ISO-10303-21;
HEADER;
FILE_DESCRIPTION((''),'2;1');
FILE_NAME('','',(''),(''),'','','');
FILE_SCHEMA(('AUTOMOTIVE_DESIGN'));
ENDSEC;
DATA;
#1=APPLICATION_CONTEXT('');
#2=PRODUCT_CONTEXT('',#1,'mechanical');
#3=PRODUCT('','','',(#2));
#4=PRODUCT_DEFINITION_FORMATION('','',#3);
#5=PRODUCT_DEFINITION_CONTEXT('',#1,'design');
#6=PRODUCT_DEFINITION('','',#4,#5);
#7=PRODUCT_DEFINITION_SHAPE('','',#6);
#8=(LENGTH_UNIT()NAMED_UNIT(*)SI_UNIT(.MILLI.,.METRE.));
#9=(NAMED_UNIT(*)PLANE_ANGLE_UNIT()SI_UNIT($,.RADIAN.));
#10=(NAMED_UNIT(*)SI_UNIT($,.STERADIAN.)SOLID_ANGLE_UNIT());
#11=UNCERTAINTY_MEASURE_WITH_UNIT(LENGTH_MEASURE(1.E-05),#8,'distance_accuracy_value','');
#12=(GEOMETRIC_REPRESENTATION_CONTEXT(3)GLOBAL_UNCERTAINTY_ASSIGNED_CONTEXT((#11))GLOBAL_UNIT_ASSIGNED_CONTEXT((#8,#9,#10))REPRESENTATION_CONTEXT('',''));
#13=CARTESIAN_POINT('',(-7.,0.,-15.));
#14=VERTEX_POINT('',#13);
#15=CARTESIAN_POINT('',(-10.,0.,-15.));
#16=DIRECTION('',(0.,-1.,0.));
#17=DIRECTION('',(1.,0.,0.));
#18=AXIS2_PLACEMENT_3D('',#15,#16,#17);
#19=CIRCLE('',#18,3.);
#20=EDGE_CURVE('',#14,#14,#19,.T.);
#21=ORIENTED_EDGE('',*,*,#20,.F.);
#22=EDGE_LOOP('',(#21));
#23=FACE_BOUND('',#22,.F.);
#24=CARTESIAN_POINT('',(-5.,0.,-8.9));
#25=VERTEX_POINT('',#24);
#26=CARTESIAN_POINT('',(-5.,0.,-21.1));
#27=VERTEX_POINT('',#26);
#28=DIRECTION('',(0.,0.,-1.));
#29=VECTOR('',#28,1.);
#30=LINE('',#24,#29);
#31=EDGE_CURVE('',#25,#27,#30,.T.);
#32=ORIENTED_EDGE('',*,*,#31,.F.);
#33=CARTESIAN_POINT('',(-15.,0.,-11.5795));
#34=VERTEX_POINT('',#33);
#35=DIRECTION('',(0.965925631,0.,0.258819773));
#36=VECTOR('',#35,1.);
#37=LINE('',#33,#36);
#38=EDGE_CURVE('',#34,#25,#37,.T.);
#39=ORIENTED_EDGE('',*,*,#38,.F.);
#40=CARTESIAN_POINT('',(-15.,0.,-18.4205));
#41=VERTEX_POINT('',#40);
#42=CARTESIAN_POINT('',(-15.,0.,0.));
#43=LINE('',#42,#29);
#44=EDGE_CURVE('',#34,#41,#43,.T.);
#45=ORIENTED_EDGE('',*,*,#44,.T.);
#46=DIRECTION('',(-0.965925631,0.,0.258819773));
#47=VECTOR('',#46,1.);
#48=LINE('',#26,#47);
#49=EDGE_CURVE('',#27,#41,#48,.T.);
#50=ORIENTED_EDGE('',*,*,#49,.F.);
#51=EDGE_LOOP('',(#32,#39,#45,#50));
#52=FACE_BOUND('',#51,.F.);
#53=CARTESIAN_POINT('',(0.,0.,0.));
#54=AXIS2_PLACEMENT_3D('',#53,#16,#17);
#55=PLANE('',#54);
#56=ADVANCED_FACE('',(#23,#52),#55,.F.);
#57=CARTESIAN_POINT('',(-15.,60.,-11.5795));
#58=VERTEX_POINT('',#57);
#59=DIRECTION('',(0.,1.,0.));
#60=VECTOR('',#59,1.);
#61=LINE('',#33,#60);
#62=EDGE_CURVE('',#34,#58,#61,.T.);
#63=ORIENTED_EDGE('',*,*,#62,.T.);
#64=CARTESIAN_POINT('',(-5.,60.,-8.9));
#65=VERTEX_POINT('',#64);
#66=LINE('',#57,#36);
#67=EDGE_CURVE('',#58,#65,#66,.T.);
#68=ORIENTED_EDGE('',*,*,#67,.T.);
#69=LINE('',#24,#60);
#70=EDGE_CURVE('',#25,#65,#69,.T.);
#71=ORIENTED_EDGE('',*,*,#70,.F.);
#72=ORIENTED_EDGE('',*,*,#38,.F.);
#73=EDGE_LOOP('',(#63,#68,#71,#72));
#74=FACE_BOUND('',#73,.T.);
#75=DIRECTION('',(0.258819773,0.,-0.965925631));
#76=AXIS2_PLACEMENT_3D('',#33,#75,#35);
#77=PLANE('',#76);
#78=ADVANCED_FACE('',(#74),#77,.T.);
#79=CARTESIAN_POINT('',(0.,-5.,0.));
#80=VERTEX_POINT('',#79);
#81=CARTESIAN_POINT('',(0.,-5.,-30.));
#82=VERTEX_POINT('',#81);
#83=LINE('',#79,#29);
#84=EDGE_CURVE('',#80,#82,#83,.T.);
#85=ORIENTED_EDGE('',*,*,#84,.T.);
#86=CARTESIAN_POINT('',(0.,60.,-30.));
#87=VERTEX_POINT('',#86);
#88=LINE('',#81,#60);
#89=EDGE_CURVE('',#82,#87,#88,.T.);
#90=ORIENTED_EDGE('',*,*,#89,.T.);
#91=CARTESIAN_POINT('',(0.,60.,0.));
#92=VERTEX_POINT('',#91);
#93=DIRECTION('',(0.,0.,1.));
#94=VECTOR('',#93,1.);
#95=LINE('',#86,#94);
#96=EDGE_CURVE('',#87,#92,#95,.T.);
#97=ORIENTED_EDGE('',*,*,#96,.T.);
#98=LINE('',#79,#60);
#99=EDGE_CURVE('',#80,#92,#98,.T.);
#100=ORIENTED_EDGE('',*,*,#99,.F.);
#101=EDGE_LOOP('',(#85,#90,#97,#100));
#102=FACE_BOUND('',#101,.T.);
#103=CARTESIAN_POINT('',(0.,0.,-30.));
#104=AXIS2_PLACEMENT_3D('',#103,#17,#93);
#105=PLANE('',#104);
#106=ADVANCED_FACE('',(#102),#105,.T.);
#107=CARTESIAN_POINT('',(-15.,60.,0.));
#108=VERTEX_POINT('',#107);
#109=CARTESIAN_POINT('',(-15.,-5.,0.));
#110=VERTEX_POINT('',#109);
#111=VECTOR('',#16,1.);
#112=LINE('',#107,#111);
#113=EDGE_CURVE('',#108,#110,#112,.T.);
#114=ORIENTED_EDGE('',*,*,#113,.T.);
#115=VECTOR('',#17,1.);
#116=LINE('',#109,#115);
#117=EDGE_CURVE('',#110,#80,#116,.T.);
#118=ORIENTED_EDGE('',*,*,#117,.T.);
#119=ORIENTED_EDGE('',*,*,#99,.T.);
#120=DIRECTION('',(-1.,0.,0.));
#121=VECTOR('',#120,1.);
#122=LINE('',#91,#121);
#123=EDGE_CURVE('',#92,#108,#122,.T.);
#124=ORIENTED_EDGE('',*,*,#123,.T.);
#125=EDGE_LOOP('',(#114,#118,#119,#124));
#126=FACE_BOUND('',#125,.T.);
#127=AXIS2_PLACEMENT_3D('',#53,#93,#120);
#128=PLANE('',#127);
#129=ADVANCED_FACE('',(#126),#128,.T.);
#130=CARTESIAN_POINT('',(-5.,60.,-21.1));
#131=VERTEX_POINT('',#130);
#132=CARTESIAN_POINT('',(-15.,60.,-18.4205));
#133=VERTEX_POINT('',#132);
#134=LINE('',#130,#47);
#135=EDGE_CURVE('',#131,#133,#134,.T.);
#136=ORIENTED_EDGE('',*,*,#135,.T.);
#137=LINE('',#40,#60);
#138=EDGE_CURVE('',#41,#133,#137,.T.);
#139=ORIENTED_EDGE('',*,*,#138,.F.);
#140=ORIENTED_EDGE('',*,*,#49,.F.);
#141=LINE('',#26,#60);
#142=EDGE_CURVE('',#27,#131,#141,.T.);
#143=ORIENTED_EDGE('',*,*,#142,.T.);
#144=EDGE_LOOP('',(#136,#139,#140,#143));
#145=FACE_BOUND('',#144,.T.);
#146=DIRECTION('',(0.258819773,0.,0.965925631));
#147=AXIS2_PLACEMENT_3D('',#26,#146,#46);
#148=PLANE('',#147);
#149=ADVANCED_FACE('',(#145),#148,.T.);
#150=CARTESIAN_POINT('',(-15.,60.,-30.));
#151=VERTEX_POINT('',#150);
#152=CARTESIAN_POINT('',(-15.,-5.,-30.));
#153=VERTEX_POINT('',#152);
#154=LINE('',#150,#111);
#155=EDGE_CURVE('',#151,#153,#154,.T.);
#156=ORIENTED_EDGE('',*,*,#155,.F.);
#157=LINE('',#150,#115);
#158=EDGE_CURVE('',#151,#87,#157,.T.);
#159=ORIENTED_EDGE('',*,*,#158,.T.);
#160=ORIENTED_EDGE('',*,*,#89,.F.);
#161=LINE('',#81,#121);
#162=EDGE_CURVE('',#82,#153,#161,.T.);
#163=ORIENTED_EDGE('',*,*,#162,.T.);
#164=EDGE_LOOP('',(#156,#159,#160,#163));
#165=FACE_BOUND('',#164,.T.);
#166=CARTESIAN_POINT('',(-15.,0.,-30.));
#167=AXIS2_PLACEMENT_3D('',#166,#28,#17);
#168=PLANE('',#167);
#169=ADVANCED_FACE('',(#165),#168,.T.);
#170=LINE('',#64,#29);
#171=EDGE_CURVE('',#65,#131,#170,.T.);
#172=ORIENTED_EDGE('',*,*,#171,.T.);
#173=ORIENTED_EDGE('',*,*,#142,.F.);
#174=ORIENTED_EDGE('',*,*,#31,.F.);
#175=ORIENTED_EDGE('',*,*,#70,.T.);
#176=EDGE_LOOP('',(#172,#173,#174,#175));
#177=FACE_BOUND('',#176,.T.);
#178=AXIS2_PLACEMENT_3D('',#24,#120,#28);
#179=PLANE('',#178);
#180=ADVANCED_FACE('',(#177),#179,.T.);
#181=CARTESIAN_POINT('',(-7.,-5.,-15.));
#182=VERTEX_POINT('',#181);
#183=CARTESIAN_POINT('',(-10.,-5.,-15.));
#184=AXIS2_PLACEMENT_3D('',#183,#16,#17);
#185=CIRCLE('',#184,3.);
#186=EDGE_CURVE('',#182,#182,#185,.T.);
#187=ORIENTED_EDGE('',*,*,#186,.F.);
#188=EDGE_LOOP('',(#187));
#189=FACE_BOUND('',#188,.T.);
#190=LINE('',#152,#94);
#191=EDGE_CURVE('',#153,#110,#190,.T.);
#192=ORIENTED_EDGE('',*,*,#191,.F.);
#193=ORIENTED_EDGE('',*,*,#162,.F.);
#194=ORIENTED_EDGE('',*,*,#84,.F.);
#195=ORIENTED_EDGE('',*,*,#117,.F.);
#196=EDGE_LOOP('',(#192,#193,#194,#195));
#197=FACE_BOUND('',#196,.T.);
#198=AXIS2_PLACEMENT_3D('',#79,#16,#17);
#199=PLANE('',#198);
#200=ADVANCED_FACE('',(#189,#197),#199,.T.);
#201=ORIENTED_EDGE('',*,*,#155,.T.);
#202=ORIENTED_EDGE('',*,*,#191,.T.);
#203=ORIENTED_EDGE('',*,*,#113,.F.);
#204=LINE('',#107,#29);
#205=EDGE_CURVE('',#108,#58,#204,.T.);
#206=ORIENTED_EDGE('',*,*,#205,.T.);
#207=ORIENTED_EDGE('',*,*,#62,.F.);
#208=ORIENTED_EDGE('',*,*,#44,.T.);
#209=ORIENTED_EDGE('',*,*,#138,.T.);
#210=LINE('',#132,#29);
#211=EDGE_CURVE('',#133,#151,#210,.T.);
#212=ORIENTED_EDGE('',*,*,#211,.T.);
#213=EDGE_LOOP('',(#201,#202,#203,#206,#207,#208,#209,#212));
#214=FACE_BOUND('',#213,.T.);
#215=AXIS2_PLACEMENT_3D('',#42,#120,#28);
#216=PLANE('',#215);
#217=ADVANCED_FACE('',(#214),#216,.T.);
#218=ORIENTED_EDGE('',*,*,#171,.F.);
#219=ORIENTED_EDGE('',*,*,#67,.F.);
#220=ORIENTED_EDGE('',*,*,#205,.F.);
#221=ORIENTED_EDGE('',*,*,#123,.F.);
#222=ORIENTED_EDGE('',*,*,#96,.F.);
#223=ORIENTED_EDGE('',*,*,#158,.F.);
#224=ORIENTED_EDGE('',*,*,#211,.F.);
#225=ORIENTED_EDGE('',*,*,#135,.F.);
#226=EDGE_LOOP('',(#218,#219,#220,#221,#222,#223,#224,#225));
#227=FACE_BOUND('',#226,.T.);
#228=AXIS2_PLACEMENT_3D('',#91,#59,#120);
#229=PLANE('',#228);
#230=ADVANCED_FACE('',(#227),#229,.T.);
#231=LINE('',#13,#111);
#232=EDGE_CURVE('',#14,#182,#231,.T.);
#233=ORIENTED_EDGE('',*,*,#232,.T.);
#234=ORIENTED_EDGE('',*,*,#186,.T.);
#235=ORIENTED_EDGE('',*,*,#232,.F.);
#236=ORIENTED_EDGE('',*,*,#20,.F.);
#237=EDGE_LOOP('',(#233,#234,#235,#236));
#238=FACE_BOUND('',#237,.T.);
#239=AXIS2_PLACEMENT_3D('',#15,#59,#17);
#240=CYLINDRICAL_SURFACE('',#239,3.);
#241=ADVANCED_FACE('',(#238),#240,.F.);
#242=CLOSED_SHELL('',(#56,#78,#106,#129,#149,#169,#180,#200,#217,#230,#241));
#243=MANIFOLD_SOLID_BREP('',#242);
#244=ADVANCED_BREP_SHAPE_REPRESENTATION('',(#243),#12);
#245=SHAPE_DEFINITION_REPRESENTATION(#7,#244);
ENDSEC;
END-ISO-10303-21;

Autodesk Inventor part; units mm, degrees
ref_plane "YZ Plane" through (0, 0, 0) normal (1, 0, 0) x (0, 1, 0)
ref_plane "XZ Plane" through (0, 0, 0) normal (0, 1, 0) x (-1, 0, 0)
ref_plane "XY Plane" through (0, 0, 0) normal (0, 0, 1) x (1, 0, 0)
sketch "Sketch1" plane through (0, 0, 0) normal (0, 1, 0) x (-1, 0, 0)
  line L0 (0, 0) -> (15, 0)
  line L1 (15, 0) -> (15, -11.5795)
  line L2 (15, -11.5795) -> (5, -8.9)
  line L3 (5, -8.9) -> (5, -21.1)
  line L4 (5, -21.1) -> (15, -18.4205)
  line L5 (15, -18.4205) -> (15, -30)
  line L6 (15, -30) -> (0, -30)
  line L7 (0, -30) -> (0, 0)
  point P0 (5, -15)
  dimension "d0" = 12.2
  dimension "d1" = 30
  dimension "d2" = 15
  dimension "d3" = 10
  dimension "d4" = 30
extrude "Extrusion1" add sketch "Sketch1" along normal blind 60
sketch "Sketch2" plane through (0, 0, 0) normal (0, -1, 0) x (1, 0, 0)
  line L0 (0, -30) -> (-15, -30) projected
  line L1 (0, 0) -> (0, -30) projected
  line L2 (-15, 0) -> (0, 0) projected
  line L3 (-15, -11.5795) -> (-15, 0) projected
  line L4 (-5, -8.9) -> (-15, -11.5795) projected
  line L5 (-5, -21.1) -> (-5, -8.9) projected
  line L6 (-15, -18.4205) -> (-5, -21.1) projected
  line L7 (-15, -30) -> (-15, -18.4205) projected
  line L8 (-15, -18.4205) -> (-15, -11.5795)
  circle A0 centre (-10, -15) radius 3
  point P0 (-15, -15)
  point P1 (-10, -19.7603)
  dimension "d9" = 6
extrude "Extrusion2" add sketch "Sketch2" along normal blind 5
properties part number "Laser_Base"
